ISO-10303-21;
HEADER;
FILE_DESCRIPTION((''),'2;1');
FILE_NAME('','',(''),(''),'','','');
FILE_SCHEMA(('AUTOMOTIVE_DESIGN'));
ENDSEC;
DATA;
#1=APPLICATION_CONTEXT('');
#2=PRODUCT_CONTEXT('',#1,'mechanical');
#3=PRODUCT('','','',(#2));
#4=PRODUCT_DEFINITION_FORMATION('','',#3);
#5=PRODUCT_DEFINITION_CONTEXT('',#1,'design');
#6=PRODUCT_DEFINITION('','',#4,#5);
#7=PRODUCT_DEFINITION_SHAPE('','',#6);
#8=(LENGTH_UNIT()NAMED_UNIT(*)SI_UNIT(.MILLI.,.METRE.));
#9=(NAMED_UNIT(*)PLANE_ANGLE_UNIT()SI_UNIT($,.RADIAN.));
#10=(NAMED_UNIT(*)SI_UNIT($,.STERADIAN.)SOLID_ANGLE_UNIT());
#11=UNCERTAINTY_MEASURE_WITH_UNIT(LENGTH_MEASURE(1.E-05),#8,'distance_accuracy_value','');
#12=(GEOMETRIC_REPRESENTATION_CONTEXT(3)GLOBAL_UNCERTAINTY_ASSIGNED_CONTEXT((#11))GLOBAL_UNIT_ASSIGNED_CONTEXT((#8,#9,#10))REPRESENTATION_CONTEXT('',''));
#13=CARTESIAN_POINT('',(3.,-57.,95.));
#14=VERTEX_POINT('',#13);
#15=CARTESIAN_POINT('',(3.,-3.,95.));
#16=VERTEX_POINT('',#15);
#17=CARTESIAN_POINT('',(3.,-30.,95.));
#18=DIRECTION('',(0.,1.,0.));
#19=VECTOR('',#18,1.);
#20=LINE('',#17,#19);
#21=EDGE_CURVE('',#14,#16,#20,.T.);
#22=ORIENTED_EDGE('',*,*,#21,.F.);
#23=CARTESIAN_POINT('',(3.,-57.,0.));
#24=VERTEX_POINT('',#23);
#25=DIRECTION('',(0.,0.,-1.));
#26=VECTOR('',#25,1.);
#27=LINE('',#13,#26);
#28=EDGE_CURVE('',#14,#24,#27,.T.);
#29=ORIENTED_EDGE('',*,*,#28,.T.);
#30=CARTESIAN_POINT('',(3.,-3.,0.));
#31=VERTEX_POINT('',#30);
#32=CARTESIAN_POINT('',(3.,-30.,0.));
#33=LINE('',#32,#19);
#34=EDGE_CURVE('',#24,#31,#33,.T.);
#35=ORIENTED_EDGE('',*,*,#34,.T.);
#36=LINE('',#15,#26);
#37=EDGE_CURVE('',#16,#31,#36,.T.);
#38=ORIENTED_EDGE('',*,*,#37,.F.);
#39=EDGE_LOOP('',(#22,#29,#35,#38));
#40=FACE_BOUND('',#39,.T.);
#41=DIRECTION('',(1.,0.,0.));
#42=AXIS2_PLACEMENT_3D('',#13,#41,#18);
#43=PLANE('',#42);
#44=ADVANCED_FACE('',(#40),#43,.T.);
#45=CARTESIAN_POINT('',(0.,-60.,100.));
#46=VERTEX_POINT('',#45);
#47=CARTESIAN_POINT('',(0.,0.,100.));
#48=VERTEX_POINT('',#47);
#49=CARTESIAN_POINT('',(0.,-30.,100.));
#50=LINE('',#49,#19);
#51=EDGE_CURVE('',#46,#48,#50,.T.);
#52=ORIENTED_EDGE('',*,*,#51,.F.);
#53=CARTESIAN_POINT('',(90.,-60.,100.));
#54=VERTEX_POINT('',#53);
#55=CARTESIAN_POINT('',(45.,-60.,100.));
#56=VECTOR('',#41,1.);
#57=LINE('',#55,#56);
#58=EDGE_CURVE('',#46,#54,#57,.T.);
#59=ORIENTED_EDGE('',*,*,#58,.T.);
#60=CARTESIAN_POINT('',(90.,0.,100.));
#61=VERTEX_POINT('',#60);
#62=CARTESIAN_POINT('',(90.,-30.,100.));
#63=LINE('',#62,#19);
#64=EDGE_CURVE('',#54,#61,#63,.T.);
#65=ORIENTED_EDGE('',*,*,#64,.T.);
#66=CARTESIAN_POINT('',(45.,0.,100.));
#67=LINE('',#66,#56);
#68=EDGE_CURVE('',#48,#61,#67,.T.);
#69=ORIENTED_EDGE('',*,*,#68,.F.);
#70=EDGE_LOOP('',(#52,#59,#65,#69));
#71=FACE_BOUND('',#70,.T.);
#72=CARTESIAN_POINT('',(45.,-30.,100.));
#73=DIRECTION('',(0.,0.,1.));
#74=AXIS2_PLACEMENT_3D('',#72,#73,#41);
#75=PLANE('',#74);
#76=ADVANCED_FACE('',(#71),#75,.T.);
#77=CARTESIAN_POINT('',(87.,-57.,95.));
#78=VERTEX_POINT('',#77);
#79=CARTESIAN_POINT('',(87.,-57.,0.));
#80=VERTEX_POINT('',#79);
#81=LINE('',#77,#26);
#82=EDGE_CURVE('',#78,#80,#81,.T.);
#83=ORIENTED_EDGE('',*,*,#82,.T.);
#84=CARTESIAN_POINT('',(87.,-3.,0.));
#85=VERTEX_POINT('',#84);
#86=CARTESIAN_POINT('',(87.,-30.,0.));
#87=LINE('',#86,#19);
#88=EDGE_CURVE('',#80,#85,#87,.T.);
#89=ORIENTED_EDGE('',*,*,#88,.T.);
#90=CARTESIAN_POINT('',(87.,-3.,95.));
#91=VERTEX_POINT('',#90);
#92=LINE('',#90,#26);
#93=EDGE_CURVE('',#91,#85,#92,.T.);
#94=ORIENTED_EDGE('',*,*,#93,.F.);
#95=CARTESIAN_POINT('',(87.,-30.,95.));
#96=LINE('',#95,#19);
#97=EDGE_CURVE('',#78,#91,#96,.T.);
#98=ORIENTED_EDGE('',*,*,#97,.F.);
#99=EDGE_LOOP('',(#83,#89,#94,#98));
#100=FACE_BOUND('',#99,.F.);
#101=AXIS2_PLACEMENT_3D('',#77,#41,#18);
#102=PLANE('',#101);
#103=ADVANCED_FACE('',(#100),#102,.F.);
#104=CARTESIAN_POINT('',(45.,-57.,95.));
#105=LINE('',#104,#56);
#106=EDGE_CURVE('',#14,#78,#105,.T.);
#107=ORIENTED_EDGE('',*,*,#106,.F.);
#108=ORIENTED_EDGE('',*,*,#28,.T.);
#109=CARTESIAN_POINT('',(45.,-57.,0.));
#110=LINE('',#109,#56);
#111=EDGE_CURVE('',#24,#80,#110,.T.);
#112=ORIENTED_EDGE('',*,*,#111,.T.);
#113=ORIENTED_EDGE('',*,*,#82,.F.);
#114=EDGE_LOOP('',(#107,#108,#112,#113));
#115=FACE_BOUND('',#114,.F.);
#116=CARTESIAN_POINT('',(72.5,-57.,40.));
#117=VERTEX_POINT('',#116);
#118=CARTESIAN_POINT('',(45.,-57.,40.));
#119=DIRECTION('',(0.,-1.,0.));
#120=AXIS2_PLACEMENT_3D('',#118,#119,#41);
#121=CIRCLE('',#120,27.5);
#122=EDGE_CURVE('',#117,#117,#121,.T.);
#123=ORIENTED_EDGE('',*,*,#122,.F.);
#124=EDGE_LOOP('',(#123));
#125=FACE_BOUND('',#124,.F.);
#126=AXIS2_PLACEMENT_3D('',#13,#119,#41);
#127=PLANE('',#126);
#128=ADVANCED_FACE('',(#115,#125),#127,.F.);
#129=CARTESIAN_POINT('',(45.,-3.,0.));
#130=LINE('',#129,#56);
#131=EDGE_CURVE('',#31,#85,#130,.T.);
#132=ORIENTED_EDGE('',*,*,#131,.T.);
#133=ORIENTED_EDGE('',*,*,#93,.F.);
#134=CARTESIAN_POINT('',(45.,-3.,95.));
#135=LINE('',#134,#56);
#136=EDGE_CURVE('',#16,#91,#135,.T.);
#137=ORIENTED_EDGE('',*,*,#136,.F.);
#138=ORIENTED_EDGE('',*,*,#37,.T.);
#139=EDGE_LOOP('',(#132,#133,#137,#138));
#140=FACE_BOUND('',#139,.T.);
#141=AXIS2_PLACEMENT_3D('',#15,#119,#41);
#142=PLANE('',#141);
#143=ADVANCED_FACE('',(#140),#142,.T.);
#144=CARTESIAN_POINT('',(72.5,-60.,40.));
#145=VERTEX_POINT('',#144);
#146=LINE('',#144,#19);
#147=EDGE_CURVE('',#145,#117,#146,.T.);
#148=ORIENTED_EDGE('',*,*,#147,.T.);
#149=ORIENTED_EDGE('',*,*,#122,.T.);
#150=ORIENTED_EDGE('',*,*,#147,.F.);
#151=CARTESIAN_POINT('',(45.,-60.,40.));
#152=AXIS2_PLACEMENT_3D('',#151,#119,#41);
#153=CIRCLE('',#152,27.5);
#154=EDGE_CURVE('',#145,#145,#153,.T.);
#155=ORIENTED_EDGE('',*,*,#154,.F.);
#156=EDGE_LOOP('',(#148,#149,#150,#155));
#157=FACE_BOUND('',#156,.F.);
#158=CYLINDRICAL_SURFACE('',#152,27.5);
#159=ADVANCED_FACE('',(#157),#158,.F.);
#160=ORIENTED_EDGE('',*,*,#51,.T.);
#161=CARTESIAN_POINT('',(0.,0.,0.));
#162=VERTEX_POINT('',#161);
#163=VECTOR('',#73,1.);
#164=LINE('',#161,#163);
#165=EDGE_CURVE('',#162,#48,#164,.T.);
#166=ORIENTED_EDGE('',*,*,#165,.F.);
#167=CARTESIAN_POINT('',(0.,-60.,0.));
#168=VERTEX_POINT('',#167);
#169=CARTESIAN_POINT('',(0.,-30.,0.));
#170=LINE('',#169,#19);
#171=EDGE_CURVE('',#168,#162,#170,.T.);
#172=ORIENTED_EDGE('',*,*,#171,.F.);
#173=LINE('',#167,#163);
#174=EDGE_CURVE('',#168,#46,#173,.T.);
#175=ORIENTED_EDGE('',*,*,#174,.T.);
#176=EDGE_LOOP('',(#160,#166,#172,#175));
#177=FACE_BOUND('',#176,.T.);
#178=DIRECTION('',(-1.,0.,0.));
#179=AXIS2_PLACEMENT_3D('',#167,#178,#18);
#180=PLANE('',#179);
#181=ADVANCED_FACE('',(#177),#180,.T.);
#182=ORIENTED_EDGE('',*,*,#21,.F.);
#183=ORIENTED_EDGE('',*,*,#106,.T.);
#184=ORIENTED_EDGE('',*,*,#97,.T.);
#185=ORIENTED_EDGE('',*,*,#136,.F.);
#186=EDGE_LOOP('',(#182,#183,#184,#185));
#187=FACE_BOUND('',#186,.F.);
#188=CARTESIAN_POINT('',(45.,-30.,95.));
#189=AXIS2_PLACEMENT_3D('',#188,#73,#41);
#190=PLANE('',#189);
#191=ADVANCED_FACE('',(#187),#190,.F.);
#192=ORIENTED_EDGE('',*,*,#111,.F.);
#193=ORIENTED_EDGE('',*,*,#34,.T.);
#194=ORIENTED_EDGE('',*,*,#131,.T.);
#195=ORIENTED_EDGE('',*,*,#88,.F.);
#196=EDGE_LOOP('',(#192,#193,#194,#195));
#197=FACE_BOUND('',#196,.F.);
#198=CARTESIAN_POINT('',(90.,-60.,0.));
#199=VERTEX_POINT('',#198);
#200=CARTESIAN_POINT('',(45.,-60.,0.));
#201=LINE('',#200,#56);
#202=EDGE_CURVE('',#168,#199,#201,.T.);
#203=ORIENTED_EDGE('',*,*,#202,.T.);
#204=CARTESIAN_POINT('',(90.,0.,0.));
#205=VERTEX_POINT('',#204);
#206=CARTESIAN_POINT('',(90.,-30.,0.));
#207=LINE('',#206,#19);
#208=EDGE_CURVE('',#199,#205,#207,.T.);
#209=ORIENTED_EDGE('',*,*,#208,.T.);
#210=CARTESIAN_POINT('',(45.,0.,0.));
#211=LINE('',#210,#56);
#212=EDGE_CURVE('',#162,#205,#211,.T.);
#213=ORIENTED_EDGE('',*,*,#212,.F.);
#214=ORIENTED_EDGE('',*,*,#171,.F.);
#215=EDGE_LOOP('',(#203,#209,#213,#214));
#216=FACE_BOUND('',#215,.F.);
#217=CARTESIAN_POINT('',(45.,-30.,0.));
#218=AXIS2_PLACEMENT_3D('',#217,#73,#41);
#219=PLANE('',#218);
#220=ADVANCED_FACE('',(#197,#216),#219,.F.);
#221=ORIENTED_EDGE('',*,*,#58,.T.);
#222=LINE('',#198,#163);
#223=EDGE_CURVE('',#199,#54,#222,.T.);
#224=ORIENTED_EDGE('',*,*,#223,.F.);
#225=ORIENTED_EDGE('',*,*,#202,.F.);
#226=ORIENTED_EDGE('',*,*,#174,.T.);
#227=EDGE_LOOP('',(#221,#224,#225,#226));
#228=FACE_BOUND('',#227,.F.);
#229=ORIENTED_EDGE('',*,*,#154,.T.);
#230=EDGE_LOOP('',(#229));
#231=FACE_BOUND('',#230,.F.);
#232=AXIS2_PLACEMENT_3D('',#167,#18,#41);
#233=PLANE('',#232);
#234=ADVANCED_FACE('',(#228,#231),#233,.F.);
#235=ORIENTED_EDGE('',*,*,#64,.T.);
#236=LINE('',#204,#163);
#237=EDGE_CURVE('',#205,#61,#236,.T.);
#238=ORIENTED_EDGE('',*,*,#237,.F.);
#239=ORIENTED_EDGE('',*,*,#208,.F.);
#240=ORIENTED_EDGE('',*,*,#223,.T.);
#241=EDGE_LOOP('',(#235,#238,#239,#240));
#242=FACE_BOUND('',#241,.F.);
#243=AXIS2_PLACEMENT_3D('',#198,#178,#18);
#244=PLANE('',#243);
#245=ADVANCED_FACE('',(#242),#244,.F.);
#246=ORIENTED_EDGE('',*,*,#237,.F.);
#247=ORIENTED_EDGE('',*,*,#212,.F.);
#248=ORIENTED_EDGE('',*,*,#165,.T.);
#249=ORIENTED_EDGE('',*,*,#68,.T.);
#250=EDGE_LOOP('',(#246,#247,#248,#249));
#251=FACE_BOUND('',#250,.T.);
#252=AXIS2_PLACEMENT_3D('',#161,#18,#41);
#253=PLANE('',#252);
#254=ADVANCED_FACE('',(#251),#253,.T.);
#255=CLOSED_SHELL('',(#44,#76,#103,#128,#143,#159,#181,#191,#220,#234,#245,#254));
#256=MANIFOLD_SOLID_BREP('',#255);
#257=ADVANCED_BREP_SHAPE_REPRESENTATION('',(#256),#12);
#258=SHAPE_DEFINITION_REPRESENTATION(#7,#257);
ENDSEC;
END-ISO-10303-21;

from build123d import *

# Parameters (mm, degrees)
F0_W     = 90
F0_H     = 60
F1_DEPTH = 100
F3_W     = 84
F3_H     = 54
F4_DEPTH = 95
F5_R     = 27.5
F6_DEPTH = 3


with BuildPart() as f1:
    # F0 (on Top) → F1 (new body)
    with BuildSketch(Plane.XY):
        with Locations((45, -30)):
            Rectangle(F0_W, F0_H)
    extrude(amount=F1_DEPTH)

    # F3 (on offset) → F4 (cut, through all)
    with BuildSketch(Plane.XY.offset(95)):
        with Locations((45, -30)):
            Rectangle(F3_W, F3_H)
    extrude(amount=-F4_DEPTH, mode=Mode.SUBTRACT)

    # F5 (on face) → F6 (cut, through all)
    with BuildSketch(Plane.XZ.offset(60)):
        with Locations((45, 40)):
            Circle(F5_R)
    extrude(amount=-F6_DEPTH, mode=Mode.SUBTRACT)


solid = f1.part
